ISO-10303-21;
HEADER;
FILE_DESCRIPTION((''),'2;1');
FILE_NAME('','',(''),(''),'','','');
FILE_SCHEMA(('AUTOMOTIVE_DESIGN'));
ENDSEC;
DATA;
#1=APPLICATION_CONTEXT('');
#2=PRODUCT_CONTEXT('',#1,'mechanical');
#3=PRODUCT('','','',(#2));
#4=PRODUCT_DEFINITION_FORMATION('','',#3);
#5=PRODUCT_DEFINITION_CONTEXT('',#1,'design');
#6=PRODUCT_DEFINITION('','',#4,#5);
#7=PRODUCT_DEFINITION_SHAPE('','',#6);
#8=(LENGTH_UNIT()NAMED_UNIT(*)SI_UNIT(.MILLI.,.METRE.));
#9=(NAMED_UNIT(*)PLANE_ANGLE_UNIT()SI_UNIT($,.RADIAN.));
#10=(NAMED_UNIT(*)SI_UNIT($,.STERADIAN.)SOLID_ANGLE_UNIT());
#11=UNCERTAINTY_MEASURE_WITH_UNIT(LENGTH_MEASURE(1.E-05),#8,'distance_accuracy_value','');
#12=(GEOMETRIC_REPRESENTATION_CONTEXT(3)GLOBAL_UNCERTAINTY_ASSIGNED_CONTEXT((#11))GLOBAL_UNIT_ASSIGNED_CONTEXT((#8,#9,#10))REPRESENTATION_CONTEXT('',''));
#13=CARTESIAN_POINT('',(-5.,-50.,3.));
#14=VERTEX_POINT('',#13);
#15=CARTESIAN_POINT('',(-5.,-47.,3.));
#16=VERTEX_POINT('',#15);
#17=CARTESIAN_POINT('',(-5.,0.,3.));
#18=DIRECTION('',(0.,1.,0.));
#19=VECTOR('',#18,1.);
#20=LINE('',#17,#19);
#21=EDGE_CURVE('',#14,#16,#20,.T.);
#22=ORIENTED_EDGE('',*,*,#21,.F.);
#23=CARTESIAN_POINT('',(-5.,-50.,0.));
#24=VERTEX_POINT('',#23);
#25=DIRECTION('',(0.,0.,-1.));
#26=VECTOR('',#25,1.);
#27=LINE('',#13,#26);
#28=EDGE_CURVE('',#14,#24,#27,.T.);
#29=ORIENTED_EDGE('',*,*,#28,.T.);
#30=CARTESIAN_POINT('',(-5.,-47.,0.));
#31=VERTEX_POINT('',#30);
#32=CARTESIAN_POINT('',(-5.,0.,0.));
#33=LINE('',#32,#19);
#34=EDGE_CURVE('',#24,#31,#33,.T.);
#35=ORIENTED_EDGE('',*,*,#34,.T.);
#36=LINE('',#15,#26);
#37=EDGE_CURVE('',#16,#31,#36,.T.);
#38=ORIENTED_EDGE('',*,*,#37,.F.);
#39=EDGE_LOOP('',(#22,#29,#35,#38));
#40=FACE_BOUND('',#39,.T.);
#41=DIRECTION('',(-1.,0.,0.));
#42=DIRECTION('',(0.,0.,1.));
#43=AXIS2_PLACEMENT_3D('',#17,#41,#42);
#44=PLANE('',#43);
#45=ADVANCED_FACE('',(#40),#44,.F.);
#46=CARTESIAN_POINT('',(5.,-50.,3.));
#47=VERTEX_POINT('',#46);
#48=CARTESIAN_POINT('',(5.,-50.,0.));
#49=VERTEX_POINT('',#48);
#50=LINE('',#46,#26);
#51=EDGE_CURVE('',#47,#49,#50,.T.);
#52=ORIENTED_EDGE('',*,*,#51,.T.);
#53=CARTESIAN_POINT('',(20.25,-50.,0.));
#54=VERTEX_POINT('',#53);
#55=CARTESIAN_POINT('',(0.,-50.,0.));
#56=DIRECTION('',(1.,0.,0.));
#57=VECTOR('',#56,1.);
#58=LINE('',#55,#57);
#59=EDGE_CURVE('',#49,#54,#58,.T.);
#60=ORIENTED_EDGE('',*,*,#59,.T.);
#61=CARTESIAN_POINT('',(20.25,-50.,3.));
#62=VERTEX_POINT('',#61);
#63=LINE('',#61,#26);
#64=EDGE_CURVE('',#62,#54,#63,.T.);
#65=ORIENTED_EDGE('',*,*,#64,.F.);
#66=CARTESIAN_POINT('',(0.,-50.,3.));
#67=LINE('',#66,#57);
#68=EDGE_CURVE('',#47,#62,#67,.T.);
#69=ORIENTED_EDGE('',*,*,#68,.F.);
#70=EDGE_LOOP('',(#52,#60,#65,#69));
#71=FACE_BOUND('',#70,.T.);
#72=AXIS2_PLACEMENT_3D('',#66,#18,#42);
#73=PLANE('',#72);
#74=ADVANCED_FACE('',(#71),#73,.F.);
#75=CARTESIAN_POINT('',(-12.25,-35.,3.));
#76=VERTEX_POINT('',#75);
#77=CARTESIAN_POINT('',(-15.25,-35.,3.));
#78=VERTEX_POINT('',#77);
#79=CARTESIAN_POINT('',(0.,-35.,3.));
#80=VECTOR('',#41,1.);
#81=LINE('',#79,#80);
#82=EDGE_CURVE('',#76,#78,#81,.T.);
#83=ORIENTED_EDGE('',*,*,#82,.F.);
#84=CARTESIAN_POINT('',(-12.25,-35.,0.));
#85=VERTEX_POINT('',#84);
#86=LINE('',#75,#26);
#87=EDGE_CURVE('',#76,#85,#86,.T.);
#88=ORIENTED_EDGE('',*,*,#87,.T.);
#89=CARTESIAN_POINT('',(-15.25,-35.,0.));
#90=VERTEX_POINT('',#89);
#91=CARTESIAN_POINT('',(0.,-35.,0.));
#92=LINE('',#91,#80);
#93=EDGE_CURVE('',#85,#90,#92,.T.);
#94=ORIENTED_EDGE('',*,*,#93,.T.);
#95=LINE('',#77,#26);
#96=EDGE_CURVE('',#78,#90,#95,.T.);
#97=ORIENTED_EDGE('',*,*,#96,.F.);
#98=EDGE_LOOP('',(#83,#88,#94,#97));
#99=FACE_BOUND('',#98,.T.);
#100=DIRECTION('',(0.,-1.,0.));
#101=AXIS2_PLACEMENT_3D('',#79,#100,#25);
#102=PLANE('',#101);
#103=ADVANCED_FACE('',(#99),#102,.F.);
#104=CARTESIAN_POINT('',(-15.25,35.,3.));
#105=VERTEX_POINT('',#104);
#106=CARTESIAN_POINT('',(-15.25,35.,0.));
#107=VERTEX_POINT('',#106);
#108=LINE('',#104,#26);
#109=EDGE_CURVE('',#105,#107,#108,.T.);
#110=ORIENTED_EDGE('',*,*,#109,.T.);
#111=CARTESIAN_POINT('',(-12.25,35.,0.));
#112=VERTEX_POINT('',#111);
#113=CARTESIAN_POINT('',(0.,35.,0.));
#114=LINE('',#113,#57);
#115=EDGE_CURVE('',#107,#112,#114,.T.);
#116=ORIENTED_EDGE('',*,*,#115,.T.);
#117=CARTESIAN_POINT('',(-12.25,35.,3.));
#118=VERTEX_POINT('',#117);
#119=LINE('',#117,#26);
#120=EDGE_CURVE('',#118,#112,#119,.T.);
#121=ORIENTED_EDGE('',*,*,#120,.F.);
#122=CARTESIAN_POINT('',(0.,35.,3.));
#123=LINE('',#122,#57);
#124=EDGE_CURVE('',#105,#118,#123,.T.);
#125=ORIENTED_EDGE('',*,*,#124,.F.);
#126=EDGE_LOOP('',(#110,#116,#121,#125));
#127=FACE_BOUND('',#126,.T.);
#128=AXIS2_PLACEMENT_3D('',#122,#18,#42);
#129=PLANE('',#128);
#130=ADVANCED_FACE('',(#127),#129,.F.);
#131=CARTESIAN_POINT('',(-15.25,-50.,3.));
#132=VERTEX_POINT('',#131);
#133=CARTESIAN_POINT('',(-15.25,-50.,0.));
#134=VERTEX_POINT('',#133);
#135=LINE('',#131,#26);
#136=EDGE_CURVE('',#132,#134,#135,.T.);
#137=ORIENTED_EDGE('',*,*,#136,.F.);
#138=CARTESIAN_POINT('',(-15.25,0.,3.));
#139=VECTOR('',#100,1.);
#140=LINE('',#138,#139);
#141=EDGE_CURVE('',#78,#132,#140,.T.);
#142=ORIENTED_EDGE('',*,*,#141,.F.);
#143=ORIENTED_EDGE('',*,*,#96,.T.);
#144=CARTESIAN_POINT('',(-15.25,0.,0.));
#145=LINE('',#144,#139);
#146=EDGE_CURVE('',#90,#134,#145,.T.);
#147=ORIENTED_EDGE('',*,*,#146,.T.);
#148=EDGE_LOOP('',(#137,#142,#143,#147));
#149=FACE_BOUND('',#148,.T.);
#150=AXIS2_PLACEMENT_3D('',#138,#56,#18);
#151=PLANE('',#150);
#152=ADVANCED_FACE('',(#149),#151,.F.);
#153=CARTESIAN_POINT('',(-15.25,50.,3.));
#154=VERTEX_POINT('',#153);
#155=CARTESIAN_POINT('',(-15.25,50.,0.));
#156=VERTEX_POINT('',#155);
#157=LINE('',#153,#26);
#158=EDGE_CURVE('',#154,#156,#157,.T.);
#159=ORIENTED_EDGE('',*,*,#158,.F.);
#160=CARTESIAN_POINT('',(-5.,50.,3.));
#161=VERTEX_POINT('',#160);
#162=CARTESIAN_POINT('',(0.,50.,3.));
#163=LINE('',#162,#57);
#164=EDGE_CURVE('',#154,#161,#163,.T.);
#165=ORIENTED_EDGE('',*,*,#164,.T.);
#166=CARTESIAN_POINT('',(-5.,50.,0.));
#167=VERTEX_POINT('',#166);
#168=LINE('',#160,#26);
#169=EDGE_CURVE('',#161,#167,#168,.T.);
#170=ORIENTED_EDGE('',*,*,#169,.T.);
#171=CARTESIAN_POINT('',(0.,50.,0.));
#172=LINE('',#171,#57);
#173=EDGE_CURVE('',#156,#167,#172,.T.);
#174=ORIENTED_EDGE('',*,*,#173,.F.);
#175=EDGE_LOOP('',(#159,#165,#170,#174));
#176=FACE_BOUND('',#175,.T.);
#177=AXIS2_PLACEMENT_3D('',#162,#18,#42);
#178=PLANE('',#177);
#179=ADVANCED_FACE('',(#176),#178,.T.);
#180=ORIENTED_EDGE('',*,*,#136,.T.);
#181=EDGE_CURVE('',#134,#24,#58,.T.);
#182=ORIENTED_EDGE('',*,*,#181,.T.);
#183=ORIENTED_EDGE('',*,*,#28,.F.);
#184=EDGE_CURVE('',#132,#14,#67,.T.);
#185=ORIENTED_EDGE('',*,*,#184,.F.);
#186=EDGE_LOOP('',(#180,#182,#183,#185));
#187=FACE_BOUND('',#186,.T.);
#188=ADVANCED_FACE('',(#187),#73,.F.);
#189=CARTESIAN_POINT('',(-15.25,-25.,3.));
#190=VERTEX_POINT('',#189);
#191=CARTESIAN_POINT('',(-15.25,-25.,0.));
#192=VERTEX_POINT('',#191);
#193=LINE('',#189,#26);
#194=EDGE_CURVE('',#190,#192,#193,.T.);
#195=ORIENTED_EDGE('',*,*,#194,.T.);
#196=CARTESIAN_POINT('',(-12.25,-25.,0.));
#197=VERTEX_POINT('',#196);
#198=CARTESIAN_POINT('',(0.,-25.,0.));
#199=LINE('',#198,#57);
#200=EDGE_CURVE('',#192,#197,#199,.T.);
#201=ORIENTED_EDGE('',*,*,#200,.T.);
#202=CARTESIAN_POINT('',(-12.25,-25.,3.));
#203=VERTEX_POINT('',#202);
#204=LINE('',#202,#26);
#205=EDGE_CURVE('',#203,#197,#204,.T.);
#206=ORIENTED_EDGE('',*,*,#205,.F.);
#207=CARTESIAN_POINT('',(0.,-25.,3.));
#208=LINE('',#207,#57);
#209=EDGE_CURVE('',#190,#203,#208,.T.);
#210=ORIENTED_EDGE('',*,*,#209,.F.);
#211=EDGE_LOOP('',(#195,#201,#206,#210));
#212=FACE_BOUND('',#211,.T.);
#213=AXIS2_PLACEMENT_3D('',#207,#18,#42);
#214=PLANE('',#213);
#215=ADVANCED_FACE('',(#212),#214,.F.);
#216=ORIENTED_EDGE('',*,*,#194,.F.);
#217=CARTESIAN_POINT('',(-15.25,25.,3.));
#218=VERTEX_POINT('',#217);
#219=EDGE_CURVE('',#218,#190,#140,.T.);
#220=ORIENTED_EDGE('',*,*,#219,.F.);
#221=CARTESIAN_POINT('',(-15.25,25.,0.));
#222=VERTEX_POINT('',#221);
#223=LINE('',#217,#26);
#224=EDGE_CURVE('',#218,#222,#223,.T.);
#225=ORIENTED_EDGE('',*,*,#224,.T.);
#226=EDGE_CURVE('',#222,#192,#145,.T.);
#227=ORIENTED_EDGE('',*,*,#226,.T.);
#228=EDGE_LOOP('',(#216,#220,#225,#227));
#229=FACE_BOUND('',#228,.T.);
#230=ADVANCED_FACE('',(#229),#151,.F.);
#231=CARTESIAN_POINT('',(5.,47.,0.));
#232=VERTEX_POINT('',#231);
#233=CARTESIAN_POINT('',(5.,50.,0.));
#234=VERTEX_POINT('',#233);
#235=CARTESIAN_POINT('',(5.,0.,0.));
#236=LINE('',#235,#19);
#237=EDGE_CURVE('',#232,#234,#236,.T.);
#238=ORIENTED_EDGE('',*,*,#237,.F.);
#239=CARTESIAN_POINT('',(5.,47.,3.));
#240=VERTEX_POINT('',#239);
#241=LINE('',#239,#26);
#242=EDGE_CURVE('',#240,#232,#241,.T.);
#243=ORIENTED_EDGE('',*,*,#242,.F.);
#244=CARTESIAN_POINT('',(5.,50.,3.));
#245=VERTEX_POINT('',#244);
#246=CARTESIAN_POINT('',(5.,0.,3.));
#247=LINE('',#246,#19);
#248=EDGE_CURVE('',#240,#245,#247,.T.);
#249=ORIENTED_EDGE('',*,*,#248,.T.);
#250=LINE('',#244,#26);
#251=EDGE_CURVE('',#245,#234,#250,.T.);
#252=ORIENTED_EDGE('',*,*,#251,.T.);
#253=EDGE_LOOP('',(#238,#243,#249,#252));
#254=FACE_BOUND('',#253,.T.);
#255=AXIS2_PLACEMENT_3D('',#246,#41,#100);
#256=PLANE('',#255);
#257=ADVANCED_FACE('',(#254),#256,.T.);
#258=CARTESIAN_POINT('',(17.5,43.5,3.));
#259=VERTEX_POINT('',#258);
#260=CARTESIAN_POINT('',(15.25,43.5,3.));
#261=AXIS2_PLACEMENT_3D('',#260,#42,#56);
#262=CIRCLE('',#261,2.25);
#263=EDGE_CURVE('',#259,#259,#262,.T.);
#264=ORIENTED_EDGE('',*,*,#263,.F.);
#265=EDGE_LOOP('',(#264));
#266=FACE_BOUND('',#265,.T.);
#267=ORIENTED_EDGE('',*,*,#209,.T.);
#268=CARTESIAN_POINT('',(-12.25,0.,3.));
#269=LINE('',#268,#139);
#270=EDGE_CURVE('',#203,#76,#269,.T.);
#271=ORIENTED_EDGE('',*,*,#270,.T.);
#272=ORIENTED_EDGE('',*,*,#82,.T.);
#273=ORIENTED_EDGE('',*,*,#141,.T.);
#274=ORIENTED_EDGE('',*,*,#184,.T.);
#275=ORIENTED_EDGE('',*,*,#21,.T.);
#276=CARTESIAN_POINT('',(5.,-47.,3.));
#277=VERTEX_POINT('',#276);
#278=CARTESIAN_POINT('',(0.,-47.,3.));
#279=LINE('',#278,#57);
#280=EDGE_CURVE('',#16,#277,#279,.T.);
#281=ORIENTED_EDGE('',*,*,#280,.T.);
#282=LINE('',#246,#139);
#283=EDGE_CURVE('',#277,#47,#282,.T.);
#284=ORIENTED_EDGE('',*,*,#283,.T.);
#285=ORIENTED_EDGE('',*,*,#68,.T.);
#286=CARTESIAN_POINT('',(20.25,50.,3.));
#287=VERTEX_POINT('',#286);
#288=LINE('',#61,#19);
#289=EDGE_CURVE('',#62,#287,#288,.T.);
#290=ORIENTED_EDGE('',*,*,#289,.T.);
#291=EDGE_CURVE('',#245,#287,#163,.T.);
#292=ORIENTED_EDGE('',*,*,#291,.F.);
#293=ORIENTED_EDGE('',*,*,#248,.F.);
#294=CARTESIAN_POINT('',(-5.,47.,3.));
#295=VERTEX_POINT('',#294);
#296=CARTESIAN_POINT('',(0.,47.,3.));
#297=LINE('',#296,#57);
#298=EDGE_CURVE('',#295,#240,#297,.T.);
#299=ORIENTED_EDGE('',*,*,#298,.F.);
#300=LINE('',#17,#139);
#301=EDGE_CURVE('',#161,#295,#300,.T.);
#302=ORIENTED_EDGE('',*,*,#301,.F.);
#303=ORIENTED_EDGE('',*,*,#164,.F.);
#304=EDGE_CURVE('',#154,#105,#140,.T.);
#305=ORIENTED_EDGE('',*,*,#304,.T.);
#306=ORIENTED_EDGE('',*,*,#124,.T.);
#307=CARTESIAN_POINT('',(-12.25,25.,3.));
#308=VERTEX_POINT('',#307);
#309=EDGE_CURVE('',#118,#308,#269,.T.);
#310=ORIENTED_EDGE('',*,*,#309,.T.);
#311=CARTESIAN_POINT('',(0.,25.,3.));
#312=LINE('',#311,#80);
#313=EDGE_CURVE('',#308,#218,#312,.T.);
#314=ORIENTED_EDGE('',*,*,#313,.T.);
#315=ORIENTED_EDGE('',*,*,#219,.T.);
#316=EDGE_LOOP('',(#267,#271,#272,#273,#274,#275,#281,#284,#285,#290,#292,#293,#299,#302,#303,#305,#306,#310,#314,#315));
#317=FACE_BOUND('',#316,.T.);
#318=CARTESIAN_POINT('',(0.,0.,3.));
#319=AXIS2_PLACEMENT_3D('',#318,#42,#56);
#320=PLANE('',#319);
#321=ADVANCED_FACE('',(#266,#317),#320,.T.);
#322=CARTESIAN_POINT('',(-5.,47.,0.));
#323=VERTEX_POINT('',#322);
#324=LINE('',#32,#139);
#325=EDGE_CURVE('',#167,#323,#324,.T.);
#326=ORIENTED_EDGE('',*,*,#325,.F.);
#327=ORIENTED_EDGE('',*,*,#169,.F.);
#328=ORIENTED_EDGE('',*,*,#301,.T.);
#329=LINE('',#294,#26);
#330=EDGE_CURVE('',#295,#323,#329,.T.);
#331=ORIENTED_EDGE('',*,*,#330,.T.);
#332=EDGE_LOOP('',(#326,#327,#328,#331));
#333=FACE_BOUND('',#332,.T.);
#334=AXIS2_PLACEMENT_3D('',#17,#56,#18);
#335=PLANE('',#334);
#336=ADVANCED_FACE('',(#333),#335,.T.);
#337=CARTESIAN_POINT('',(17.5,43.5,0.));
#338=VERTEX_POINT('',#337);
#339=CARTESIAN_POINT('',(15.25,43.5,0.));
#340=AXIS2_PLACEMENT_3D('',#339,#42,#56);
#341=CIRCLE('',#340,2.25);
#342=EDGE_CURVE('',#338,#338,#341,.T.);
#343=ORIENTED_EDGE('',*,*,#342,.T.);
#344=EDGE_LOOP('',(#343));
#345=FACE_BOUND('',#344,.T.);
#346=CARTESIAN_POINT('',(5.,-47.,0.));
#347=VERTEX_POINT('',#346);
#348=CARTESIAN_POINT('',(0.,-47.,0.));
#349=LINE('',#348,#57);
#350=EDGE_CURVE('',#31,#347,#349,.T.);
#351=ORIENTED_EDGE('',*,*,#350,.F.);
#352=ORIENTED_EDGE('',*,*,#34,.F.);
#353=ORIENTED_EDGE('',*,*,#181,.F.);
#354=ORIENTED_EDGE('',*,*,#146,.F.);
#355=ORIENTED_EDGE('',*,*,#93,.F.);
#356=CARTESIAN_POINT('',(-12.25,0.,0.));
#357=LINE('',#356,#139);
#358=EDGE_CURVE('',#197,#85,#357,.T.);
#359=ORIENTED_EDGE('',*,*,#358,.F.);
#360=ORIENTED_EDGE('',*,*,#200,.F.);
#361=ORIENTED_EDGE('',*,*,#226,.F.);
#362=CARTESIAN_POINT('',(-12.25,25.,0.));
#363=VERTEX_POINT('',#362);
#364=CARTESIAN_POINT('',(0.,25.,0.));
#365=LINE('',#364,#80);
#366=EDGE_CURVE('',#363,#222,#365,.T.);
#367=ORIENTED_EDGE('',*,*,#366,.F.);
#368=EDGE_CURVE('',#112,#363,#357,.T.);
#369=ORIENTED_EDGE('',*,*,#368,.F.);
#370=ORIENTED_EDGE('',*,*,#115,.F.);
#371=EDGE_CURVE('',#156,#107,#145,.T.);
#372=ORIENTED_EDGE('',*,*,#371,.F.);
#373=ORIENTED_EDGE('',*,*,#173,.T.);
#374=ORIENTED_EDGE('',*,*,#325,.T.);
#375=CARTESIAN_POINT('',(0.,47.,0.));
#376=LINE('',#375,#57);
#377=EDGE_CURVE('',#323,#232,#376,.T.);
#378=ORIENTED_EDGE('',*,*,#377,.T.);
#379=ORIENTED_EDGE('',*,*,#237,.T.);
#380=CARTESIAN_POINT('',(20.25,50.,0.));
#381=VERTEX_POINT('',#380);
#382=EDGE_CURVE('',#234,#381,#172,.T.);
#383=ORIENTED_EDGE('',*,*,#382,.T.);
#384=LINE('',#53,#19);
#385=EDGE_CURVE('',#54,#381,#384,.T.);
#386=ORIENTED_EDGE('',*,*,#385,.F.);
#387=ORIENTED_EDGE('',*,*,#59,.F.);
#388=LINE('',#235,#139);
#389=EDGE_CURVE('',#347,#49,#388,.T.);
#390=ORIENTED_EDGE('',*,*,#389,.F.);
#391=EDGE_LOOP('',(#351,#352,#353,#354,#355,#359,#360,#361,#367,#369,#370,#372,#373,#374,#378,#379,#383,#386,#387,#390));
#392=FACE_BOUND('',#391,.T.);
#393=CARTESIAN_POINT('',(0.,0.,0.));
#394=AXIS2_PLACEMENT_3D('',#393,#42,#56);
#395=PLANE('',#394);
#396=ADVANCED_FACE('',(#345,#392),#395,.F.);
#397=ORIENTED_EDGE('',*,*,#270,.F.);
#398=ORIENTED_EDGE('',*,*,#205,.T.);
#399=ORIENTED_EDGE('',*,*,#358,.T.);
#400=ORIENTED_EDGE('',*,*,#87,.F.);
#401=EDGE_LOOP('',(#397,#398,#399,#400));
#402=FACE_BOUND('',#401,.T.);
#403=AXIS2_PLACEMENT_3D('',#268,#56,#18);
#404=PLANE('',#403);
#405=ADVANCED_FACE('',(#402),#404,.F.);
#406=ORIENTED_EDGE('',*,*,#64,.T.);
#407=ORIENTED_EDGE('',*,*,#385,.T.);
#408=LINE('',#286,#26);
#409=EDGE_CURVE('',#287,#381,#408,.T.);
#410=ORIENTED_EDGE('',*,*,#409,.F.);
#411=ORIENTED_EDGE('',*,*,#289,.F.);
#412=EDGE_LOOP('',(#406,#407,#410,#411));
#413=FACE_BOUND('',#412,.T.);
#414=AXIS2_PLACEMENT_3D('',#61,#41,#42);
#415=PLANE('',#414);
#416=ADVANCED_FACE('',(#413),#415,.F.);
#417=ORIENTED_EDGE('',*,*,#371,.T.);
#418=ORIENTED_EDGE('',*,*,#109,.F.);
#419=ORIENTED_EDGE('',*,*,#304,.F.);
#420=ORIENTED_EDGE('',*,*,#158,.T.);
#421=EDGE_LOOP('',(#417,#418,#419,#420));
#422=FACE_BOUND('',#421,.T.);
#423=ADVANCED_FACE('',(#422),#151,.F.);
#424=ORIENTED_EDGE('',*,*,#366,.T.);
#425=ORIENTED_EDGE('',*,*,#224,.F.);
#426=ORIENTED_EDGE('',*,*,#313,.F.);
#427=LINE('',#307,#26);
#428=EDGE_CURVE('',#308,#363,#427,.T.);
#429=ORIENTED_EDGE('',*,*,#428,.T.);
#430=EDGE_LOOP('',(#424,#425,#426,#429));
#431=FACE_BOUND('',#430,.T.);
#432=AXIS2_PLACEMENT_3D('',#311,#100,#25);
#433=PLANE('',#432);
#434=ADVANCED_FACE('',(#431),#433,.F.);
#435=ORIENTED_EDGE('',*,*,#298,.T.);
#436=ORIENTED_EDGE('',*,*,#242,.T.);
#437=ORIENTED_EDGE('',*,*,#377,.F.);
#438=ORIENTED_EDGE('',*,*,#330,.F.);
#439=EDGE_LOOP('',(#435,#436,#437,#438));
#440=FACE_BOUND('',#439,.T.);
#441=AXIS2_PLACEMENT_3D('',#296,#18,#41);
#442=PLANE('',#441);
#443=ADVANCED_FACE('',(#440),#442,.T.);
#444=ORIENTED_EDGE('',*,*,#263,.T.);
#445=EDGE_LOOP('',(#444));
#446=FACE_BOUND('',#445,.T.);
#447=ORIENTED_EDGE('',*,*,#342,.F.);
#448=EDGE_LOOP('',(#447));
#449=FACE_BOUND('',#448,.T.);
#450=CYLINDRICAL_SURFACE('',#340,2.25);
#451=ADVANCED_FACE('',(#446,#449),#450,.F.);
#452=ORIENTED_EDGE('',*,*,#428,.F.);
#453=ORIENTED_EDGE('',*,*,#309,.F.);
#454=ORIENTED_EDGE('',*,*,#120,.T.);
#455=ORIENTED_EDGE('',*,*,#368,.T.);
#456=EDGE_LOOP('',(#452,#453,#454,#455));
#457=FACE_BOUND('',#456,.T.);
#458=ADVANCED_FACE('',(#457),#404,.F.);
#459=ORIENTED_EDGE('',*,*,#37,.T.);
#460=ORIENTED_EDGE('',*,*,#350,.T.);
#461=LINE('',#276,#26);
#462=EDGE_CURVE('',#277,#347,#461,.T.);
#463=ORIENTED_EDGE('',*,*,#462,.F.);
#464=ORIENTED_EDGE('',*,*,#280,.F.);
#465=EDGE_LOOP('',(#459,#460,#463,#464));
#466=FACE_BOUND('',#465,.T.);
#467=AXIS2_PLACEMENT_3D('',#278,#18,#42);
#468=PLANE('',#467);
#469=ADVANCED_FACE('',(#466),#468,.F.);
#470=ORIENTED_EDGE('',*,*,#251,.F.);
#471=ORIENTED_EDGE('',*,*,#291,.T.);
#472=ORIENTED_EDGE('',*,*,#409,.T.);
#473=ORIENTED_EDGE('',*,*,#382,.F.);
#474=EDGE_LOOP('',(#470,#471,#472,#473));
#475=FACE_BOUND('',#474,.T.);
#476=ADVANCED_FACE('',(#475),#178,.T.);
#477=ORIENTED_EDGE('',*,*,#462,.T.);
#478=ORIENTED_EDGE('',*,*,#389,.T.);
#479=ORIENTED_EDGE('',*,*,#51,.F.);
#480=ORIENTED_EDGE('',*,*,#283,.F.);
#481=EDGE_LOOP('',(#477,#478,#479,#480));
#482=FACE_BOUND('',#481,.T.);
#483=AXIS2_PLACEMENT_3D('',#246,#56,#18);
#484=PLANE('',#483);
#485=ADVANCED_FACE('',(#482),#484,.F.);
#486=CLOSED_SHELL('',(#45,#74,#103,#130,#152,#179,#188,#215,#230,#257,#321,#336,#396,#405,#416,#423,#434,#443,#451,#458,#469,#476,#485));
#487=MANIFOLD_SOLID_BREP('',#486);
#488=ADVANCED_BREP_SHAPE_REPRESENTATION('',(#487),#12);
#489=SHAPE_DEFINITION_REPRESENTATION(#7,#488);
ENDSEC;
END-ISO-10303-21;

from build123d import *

# Parameters (mm, degrees)
BOSS_EXTRUDE1_DEPTH = 3
SKETCH2_W           = 5
SKETCH2_H           = 100
BOSS_EXTRUDE2_DEPTH = 3
SKETCH3_R           = 2.25
CUT_EXTRUDE1_DEPTH  = 3


with BuildPart() as part:
    # Sketch1 → Boss-Extrude1 (new body)
    with BuildSketch(Plane.XY):
        Polygon((-15.25, 50), (-15.25, 35), (-12.25, 35), (-12.25, 25), (-15.25, 25), (-15.25, -25), (-12.25, -25), (-12.25, -35), (-15.25, -35), (-15.25, -50), (-5, -50), (-5, -47), (5, -47), (5, -50), (15.25, -50), (15.25, 50), (5, 50), (5, 47), (-5, 47), (-5, 50), align=None)
    extrude(amount=BOSS_EXTRUDE1_DEPTH)

    # Sketch2 → Boss-Extrude2 (add)
    with BuildSketch(Plane.XY):
        with Locations((17.75, 0)):
            Rectangle(SKETCH2_W, SKETCH2_H)
    extrude(amount=BOSS_EXTRUDE2_DEPTH)

    # Sketch3 → Cut-Extrude1 (cut)
    with BuildSketch(Plane.XY.offset(3)):
        with Locations((15.25, 43.5)):
            Circle(SKETCH3_R)
    extrude(amount=-CUT_EXTRUDE1_DEPTH, mode=Mode.SUBTRACT)


solid = part.part
